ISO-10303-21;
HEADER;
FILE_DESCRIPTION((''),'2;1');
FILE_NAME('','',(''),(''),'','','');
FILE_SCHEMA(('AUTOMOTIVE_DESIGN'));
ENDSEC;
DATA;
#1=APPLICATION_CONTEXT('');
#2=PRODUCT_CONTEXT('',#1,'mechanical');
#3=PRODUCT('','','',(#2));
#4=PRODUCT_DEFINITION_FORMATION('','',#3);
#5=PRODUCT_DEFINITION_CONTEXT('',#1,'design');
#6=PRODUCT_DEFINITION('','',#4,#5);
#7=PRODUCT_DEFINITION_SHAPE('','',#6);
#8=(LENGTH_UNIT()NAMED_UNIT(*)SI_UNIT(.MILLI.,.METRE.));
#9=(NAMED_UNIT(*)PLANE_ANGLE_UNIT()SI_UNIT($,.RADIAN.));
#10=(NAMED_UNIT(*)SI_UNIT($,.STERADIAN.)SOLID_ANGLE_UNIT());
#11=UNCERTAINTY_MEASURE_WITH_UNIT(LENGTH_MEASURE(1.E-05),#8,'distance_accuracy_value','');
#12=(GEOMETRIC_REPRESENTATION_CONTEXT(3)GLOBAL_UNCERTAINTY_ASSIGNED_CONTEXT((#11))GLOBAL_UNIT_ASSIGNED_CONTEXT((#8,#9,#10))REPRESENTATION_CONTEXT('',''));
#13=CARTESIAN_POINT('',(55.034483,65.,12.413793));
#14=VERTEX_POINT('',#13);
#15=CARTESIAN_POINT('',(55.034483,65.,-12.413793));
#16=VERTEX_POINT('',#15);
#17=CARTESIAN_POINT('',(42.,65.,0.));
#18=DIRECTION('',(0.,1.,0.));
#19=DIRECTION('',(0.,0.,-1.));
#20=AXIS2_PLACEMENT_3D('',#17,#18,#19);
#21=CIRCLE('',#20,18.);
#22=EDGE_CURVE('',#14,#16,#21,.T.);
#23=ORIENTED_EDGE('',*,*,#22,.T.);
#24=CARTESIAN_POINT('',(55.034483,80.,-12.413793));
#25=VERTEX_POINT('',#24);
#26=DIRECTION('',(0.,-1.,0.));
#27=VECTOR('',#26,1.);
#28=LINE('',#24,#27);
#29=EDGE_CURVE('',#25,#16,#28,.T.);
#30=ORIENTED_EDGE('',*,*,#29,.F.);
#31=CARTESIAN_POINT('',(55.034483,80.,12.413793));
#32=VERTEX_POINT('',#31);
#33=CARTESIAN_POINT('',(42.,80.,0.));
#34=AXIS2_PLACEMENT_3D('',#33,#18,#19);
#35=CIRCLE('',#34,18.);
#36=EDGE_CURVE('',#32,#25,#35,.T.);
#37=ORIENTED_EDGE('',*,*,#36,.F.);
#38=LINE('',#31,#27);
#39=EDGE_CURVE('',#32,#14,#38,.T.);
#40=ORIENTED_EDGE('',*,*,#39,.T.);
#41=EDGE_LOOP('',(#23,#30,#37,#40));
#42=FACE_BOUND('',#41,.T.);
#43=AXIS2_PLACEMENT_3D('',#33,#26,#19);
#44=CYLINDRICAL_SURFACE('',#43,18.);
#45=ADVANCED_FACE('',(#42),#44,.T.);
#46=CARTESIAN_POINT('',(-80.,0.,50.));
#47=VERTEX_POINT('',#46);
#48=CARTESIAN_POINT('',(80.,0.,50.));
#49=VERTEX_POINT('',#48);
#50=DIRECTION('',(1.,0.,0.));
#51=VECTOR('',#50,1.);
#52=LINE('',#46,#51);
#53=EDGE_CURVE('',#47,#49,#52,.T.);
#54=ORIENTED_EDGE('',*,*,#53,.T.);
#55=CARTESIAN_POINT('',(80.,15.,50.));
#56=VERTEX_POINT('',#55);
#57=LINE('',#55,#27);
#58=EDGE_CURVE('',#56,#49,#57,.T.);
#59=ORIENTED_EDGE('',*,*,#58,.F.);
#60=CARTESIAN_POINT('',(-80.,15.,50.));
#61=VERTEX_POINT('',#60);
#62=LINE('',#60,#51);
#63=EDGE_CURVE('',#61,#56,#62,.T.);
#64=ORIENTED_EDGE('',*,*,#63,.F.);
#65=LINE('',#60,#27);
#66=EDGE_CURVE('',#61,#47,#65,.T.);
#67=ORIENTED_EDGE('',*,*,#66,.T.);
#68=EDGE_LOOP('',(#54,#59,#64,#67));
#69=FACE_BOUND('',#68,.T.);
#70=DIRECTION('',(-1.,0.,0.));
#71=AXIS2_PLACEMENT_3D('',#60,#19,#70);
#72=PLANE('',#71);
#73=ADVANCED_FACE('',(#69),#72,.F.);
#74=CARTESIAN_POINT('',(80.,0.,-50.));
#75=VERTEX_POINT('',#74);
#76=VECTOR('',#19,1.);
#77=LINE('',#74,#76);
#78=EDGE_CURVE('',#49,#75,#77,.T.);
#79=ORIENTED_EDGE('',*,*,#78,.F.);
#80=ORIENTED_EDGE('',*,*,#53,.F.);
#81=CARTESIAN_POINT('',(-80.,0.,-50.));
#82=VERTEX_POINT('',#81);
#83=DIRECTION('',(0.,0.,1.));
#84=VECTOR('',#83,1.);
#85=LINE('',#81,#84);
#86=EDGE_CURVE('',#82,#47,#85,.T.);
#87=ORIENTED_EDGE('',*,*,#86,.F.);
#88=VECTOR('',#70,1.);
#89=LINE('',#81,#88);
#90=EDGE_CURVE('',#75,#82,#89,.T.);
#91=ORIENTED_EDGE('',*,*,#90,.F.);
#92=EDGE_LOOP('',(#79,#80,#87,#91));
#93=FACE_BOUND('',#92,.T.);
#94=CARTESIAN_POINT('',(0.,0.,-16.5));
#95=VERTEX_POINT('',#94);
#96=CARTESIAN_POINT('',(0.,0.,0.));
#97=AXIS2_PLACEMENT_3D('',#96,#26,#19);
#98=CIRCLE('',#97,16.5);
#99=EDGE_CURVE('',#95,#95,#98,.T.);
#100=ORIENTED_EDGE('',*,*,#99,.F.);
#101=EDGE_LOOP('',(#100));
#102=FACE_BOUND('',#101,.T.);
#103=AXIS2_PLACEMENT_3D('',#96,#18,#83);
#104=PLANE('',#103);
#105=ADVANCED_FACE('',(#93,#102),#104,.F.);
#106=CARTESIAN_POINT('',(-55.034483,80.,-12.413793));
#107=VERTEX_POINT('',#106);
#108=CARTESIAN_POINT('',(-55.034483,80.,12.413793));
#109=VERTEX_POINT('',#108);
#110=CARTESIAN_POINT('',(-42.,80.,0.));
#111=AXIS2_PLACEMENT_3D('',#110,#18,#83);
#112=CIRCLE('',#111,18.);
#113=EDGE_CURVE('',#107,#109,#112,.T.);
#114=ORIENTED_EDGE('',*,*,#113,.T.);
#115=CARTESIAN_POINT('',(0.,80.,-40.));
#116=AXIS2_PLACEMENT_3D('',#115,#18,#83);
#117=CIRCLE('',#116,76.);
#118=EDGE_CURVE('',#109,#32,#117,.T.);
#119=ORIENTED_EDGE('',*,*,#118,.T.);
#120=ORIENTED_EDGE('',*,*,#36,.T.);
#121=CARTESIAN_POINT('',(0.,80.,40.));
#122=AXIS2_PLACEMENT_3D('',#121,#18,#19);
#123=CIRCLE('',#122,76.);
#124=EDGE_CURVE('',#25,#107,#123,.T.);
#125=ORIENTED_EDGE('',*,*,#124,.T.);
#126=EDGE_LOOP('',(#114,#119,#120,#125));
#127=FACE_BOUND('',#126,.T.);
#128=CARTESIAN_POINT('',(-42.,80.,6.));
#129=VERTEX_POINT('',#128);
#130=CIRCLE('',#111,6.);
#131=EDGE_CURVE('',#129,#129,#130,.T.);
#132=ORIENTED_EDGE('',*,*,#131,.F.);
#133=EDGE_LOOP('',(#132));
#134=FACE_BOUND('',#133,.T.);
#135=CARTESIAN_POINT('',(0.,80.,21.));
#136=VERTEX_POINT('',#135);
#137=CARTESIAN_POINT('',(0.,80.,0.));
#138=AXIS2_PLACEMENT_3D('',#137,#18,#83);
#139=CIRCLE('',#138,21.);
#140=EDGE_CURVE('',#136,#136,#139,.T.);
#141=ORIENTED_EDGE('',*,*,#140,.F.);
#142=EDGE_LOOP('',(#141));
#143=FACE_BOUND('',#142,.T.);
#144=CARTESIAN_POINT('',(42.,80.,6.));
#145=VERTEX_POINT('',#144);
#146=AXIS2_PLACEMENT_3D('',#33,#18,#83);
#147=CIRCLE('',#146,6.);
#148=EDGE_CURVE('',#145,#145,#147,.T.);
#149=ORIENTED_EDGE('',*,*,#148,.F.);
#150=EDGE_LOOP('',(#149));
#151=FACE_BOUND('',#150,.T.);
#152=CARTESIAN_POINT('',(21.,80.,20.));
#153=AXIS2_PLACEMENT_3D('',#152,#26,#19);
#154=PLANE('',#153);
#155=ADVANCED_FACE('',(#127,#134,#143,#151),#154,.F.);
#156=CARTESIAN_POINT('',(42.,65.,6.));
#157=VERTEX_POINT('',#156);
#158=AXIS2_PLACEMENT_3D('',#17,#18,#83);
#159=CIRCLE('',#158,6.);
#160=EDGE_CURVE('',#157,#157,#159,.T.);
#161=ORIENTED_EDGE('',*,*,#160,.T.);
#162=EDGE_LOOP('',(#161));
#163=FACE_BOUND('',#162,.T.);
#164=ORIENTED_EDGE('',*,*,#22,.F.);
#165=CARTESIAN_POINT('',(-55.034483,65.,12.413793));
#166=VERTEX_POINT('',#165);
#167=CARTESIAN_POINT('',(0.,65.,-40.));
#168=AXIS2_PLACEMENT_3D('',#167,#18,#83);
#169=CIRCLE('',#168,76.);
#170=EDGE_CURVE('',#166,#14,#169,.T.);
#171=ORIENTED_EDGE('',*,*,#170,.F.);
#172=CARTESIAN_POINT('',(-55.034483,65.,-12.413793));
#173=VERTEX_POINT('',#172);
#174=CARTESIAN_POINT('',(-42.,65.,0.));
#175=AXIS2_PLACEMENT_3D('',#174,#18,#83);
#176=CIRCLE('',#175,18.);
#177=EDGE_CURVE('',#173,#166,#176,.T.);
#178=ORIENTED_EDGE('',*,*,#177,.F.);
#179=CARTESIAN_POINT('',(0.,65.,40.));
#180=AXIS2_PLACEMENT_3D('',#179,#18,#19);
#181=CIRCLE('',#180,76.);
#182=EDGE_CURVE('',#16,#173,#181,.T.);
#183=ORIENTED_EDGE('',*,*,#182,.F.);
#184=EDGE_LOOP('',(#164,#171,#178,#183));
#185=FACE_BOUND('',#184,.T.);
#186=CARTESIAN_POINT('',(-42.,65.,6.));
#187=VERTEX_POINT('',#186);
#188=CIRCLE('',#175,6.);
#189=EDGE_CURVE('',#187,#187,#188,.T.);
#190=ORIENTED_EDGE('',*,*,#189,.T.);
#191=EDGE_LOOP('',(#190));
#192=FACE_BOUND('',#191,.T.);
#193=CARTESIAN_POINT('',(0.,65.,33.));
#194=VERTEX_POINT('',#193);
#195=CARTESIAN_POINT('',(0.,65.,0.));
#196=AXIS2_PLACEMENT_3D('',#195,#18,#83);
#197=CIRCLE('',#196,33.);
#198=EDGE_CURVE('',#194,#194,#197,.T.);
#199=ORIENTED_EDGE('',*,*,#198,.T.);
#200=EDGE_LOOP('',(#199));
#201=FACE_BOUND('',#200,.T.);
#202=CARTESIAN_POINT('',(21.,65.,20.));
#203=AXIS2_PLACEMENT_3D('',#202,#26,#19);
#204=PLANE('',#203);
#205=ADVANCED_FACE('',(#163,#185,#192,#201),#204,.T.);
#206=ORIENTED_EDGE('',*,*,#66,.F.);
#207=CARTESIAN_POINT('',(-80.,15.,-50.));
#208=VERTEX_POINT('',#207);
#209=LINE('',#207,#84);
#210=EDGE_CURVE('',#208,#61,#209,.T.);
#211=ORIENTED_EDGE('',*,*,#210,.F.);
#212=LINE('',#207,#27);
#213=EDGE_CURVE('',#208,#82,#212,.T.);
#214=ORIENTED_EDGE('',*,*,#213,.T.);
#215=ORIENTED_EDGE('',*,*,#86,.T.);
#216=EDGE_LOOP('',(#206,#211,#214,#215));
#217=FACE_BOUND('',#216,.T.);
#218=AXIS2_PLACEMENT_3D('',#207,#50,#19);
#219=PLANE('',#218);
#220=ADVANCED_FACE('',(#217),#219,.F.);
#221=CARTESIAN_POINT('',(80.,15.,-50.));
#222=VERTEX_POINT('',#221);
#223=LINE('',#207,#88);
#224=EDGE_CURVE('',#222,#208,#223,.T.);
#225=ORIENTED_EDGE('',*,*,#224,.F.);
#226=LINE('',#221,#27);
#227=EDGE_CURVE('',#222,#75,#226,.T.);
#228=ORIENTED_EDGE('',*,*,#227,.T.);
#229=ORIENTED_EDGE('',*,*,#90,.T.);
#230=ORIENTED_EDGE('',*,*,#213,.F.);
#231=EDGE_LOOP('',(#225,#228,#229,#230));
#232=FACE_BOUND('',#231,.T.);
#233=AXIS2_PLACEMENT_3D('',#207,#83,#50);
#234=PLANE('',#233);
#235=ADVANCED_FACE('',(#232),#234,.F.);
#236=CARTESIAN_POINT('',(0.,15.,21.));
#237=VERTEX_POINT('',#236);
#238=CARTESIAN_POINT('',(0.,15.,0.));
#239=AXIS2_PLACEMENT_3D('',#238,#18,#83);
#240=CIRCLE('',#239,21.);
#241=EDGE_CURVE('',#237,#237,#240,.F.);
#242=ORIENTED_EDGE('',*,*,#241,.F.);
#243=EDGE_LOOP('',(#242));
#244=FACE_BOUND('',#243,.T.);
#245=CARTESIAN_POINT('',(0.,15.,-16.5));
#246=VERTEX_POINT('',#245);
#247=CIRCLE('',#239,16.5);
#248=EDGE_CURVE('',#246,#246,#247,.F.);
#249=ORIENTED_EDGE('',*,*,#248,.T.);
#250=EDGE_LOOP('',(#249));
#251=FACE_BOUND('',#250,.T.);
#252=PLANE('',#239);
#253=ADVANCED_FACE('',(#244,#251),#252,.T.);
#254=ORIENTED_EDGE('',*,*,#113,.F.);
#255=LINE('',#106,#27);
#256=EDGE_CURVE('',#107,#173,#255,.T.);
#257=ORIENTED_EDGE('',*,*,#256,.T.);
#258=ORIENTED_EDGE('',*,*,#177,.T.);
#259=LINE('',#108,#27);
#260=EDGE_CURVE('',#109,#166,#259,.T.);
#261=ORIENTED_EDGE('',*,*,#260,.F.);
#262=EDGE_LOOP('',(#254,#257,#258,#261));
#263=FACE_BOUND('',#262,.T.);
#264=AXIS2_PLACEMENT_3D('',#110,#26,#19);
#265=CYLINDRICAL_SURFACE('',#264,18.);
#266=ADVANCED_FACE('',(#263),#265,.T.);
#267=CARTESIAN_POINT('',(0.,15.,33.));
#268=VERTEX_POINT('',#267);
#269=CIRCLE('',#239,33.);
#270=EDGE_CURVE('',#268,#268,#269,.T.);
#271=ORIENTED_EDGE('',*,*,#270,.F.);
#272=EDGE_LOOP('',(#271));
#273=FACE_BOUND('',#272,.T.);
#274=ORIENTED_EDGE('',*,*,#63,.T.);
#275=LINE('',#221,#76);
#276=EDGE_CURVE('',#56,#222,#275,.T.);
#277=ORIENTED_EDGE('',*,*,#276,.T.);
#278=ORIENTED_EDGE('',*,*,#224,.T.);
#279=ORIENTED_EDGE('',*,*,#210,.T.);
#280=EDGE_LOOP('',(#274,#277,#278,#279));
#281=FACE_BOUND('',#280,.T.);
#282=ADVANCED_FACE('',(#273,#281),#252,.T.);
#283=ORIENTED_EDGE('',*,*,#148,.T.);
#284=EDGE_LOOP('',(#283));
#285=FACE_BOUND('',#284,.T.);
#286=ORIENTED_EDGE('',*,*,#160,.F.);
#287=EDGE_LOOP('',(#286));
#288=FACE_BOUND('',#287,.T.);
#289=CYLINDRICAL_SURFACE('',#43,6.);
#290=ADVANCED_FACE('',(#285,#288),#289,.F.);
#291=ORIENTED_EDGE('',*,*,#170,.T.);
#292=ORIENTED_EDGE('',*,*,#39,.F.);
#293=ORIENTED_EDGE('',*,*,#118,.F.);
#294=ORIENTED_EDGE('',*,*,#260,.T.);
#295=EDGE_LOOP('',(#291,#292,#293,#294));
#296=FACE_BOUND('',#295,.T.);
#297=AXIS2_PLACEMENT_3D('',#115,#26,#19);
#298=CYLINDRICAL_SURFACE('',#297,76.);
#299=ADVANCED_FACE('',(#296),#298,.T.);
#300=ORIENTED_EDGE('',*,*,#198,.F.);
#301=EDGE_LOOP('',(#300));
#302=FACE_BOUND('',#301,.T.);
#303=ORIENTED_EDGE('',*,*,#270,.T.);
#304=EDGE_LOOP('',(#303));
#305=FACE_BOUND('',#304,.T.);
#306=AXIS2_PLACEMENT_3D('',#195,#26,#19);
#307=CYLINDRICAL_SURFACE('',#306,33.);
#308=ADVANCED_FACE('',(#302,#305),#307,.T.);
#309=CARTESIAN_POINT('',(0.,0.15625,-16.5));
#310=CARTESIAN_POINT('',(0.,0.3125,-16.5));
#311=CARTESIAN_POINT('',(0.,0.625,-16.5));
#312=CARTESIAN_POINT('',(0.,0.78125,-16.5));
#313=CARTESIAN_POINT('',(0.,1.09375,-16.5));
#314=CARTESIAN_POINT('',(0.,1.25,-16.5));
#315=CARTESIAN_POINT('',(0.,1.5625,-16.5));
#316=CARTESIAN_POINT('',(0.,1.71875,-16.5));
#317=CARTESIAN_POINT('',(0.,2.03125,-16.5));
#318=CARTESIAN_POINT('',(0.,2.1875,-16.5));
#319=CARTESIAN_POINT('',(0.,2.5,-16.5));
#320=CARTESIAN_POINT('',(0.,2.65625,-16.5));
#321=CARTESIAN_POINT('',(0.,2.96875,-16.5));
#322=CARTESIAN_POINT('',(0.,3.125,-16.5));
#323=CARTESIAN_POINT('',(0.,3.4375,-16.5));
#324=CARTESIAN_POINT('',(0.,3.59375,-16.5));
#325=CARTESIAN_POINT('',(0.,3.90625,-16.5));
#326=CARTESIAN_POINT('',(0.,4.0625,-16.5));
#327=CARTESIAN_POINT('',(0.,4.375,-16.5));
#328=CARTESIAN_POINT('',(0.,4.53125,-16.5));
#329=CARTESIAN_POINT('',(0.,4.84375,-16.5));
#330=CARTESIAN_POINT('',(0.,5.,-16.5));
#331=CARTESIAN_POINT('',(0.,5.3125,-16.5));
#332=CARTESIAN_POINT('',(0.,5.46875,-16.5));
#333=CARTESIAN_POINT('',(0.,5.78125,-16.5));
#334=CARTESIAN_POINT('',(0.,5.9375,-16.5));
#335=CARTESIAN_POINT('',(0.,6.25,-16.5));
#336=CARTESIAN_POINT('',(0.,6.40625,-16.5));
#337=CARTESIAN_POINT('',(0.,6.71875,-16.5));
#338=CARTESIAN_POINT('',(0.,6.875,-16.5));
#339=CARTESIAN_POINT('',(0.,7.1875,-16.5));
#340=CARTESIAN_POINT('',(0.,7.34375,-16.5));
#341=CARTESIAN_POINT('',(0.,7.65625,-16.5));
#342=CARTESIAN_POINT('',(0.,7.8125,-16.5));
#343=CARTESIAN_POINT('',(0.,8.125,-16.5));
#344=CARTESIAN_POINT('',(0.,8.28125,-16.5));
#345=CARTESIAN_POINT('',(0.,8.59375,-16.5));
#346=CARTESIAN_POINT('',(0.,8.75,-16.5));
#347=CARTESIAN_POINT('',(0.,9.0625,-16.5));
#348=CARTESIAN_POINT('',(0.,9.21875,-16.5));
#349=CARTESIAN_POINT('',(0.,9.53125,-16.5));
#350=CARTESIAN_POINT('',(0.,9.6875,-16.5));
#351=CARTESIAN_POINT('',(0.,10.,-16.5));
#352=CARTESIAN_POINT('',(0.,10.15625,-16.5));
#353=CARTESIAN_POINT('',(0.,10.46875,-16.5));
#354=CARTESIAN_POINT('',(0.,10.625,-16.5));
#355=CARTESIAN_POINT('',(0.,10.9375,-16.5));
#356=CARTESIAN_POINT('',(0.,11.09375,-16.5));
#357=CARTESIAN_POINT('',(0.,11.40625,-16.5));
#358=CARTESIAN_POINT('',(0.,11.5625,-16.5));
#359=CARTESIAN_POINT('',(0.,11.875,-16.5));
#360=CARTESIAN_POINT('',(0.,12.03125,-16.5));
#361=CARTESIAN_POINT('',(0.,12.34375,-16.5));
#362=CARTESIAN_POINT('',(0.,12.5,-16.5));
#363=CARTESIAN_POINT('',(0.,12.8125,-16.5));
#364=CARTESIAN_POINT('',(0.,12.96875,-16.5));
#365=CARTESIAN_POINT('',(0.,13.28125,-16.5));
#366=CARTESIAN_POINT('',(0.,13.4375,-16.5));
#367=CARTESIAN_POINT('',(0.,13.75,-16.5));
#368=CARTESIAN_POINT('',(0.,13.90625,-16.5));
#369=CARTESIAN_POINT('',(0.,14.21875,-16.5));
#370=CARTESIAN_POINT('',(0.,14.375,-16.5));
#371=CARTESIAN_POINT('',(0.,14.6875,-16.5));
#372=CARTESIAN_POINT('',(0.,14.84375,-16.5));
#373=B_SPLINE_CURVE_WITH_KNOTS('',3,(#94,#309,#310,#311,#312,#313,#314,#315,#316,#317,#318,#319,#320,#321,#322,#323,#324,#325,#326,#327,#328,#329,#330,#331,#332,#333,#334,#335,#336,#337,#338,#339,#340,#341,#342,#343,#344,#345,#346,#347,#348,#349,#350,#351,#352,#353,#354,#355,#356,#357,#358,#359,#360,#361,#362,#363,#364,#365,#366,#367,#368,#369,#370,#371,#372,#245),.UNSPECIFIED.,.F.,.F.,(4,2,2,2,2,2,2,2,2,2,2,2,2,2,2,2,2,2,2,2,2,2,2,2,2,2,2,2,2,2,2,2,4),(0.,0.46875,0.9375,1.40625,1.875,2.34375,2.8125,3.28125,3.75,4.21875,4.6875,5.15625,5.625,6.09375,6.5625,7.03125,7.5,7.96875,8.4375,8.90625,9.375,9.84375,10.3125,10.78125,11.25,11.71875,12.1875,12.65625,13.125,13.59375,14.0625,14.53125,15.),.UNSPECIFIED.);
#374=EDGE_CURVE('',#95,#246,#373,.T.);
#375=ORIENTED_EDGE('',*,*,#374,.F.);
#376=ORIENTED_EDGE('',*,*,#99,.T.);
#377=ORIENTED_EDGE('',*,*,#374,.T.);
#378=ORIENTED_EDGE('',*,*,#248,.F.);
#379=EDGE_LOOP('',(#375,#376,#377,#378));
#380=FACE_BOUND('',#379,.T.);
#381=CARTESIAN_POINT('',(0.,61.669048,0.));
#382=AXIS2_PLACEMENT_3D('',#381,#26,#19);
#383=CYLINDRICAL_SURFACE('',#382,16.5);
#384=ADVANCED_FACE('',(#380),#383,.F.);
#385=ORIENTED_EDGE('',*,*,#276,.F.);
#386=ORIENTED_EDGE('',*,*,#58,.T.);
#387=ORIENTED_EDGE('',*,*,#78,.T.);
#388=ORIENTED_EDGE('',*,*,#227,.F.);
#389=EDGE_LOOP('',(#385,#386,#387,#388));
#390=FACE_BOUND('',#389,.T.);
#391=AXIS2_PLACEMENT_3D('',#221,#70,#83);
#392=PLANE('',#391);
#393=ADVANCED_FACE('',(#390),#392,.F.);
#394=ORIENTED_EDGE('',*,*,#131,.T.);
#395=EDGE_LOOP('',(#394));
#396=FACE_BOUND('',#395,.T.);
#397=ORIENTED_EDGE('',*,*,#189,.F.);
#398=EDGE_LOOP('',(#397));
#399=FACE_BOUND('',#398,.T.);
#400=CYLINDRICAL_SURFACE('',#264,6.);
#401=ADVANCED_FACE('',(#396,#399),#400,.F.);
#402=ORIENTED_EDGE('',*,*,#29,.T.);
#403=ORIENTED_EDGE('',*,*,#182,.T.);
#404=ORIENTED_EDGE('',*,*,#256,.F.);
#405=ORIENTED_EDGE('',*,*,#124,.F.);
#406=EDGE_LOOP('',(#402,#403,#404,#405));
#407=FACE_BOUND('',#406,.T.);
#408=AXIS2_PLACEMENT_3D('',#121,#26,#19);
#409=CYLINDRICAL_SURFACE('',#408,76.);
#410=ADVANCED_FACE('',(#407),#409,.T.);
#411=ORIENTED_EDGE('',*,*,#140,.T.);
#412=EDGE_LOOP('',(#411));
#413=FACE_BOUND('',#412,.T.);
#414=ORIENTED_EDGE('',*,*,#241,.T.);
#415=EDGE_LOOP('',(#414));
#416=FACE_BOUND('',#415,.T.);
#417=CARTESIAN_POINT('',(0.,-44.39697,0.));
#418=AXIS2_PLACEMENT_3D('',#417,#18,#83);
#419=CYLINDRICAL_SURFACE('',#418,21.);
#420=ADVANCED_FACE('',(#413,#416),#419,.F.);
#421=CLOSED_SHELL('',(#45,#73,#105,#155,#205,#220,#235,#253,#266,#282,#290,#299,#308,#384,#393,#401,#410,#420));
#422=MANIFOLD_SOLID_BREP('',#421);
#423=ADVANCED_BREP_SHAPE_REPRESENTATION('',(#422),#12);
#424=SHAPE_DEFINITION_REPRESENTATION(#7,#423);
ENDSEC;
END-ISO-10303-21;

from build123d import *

# Parameters (mm, degrees)
SKETCH1_W           = 160
SKETCH1_H           = 100
BOSS_EXTRUDE1_DEPTH = 15
SKETCH3_R           = 16.5
CUT_EXTRUDE1_DEPTH  = 15
SKETCH2_R           = 33
BOSS_EXTRUDE2_DEPTH = 50
SKETCH6_R           = 6
BOSS_EXTRUDE4_DEPTH = 15
SKETCH7_R           = 21
CUT_EXTRUDE3_DEPTH  = 65


with BuildPart() as part:
    # Sketch1 → Boss-Extrude1 (new body)
    with BuildSketch(Plane(origin=(0, 0, 0), x_dir=(1, 0, 0), z_dir=(0, 1, 0))):
        Rectangle(SKETCH1_W, SKETCH1_H)
    extrude(amount=BOSS_EXTRUDE1_DEPTH)

    # Sketch3 → Cut-Extrude1 (cut)
    with BuildSketch(Plane.XZ):
        with Locations(Location((0, 0, 0), (0, 0, 270))):
            Circle(SKETCH3_R)
    extrude(amount=-CUT_EXTRUDE1_DEPTH, mode=Mode.SUBTRACT)

    # Sketch2 → Boss-Extrude2 (add)
    with BuildSketch(Plane(origin=(0, 15, 0), x_dir=(1, 0, 0), z_dir=(0, 1, 0))):
        with Locations(Location((0, 0, 0), (0, 0, 270))):
            Circle(SKETCH2_R)
    extrude(amount=BOSS_EXTRUDE2_DEPTH)

    # Sketch6 → Boss-Extrude4 (add)
    with BuildSketch(Plane(origin=(0, 65, 0), x_dir=(1, 0, 0), z_dir=(0, 1, 0))):
        with BuildLine():
            ThreePointArc((-55.034482759, 12.413793103), (-60, 0), (-55.034482759, -12.413793103))
            ThreePointArc((-55.034482759, -12.413793103), (0, -36), (55.034482759, -12.413793103))
            ThreePointArc((55.034482759, -12.413793103), (60, 0), (55.034482759, 12.413793103))
            ThreePointArc((55.034482759, 12.413793103), (0, 36), (-55.034482759, 12.413793103))
        make_face()
        with Locations(Location((-42, 0, 0), (0, 0, 270))):
            Circle(SKETCH6_R, mode=Mode.SUBTRACT)
        with Locations(Location((42, 0, 0), (0, 0, 270))):
            Circle(SKETCH6_R, mode=Mode.SUBTRACT)
    extrude(amount=BOSS_EXTRUDE4_DEPTH)

    # Sketch7 → Cut-Extrude3 (cut)
    with BuildSketch(Plane(origin=(0, 80, 0), x_dir=(1, 0, 0), z_dir=(0, 1, 0))):
        with Locations(Location((0, 0, 0), (0, 0, 270))):
            Circle(SKETCH7_R)
    extrude(amount=-CUT_EXTRUDE3_DEPTH, mode=Mode.SUBTRACT)


solid = part.part
